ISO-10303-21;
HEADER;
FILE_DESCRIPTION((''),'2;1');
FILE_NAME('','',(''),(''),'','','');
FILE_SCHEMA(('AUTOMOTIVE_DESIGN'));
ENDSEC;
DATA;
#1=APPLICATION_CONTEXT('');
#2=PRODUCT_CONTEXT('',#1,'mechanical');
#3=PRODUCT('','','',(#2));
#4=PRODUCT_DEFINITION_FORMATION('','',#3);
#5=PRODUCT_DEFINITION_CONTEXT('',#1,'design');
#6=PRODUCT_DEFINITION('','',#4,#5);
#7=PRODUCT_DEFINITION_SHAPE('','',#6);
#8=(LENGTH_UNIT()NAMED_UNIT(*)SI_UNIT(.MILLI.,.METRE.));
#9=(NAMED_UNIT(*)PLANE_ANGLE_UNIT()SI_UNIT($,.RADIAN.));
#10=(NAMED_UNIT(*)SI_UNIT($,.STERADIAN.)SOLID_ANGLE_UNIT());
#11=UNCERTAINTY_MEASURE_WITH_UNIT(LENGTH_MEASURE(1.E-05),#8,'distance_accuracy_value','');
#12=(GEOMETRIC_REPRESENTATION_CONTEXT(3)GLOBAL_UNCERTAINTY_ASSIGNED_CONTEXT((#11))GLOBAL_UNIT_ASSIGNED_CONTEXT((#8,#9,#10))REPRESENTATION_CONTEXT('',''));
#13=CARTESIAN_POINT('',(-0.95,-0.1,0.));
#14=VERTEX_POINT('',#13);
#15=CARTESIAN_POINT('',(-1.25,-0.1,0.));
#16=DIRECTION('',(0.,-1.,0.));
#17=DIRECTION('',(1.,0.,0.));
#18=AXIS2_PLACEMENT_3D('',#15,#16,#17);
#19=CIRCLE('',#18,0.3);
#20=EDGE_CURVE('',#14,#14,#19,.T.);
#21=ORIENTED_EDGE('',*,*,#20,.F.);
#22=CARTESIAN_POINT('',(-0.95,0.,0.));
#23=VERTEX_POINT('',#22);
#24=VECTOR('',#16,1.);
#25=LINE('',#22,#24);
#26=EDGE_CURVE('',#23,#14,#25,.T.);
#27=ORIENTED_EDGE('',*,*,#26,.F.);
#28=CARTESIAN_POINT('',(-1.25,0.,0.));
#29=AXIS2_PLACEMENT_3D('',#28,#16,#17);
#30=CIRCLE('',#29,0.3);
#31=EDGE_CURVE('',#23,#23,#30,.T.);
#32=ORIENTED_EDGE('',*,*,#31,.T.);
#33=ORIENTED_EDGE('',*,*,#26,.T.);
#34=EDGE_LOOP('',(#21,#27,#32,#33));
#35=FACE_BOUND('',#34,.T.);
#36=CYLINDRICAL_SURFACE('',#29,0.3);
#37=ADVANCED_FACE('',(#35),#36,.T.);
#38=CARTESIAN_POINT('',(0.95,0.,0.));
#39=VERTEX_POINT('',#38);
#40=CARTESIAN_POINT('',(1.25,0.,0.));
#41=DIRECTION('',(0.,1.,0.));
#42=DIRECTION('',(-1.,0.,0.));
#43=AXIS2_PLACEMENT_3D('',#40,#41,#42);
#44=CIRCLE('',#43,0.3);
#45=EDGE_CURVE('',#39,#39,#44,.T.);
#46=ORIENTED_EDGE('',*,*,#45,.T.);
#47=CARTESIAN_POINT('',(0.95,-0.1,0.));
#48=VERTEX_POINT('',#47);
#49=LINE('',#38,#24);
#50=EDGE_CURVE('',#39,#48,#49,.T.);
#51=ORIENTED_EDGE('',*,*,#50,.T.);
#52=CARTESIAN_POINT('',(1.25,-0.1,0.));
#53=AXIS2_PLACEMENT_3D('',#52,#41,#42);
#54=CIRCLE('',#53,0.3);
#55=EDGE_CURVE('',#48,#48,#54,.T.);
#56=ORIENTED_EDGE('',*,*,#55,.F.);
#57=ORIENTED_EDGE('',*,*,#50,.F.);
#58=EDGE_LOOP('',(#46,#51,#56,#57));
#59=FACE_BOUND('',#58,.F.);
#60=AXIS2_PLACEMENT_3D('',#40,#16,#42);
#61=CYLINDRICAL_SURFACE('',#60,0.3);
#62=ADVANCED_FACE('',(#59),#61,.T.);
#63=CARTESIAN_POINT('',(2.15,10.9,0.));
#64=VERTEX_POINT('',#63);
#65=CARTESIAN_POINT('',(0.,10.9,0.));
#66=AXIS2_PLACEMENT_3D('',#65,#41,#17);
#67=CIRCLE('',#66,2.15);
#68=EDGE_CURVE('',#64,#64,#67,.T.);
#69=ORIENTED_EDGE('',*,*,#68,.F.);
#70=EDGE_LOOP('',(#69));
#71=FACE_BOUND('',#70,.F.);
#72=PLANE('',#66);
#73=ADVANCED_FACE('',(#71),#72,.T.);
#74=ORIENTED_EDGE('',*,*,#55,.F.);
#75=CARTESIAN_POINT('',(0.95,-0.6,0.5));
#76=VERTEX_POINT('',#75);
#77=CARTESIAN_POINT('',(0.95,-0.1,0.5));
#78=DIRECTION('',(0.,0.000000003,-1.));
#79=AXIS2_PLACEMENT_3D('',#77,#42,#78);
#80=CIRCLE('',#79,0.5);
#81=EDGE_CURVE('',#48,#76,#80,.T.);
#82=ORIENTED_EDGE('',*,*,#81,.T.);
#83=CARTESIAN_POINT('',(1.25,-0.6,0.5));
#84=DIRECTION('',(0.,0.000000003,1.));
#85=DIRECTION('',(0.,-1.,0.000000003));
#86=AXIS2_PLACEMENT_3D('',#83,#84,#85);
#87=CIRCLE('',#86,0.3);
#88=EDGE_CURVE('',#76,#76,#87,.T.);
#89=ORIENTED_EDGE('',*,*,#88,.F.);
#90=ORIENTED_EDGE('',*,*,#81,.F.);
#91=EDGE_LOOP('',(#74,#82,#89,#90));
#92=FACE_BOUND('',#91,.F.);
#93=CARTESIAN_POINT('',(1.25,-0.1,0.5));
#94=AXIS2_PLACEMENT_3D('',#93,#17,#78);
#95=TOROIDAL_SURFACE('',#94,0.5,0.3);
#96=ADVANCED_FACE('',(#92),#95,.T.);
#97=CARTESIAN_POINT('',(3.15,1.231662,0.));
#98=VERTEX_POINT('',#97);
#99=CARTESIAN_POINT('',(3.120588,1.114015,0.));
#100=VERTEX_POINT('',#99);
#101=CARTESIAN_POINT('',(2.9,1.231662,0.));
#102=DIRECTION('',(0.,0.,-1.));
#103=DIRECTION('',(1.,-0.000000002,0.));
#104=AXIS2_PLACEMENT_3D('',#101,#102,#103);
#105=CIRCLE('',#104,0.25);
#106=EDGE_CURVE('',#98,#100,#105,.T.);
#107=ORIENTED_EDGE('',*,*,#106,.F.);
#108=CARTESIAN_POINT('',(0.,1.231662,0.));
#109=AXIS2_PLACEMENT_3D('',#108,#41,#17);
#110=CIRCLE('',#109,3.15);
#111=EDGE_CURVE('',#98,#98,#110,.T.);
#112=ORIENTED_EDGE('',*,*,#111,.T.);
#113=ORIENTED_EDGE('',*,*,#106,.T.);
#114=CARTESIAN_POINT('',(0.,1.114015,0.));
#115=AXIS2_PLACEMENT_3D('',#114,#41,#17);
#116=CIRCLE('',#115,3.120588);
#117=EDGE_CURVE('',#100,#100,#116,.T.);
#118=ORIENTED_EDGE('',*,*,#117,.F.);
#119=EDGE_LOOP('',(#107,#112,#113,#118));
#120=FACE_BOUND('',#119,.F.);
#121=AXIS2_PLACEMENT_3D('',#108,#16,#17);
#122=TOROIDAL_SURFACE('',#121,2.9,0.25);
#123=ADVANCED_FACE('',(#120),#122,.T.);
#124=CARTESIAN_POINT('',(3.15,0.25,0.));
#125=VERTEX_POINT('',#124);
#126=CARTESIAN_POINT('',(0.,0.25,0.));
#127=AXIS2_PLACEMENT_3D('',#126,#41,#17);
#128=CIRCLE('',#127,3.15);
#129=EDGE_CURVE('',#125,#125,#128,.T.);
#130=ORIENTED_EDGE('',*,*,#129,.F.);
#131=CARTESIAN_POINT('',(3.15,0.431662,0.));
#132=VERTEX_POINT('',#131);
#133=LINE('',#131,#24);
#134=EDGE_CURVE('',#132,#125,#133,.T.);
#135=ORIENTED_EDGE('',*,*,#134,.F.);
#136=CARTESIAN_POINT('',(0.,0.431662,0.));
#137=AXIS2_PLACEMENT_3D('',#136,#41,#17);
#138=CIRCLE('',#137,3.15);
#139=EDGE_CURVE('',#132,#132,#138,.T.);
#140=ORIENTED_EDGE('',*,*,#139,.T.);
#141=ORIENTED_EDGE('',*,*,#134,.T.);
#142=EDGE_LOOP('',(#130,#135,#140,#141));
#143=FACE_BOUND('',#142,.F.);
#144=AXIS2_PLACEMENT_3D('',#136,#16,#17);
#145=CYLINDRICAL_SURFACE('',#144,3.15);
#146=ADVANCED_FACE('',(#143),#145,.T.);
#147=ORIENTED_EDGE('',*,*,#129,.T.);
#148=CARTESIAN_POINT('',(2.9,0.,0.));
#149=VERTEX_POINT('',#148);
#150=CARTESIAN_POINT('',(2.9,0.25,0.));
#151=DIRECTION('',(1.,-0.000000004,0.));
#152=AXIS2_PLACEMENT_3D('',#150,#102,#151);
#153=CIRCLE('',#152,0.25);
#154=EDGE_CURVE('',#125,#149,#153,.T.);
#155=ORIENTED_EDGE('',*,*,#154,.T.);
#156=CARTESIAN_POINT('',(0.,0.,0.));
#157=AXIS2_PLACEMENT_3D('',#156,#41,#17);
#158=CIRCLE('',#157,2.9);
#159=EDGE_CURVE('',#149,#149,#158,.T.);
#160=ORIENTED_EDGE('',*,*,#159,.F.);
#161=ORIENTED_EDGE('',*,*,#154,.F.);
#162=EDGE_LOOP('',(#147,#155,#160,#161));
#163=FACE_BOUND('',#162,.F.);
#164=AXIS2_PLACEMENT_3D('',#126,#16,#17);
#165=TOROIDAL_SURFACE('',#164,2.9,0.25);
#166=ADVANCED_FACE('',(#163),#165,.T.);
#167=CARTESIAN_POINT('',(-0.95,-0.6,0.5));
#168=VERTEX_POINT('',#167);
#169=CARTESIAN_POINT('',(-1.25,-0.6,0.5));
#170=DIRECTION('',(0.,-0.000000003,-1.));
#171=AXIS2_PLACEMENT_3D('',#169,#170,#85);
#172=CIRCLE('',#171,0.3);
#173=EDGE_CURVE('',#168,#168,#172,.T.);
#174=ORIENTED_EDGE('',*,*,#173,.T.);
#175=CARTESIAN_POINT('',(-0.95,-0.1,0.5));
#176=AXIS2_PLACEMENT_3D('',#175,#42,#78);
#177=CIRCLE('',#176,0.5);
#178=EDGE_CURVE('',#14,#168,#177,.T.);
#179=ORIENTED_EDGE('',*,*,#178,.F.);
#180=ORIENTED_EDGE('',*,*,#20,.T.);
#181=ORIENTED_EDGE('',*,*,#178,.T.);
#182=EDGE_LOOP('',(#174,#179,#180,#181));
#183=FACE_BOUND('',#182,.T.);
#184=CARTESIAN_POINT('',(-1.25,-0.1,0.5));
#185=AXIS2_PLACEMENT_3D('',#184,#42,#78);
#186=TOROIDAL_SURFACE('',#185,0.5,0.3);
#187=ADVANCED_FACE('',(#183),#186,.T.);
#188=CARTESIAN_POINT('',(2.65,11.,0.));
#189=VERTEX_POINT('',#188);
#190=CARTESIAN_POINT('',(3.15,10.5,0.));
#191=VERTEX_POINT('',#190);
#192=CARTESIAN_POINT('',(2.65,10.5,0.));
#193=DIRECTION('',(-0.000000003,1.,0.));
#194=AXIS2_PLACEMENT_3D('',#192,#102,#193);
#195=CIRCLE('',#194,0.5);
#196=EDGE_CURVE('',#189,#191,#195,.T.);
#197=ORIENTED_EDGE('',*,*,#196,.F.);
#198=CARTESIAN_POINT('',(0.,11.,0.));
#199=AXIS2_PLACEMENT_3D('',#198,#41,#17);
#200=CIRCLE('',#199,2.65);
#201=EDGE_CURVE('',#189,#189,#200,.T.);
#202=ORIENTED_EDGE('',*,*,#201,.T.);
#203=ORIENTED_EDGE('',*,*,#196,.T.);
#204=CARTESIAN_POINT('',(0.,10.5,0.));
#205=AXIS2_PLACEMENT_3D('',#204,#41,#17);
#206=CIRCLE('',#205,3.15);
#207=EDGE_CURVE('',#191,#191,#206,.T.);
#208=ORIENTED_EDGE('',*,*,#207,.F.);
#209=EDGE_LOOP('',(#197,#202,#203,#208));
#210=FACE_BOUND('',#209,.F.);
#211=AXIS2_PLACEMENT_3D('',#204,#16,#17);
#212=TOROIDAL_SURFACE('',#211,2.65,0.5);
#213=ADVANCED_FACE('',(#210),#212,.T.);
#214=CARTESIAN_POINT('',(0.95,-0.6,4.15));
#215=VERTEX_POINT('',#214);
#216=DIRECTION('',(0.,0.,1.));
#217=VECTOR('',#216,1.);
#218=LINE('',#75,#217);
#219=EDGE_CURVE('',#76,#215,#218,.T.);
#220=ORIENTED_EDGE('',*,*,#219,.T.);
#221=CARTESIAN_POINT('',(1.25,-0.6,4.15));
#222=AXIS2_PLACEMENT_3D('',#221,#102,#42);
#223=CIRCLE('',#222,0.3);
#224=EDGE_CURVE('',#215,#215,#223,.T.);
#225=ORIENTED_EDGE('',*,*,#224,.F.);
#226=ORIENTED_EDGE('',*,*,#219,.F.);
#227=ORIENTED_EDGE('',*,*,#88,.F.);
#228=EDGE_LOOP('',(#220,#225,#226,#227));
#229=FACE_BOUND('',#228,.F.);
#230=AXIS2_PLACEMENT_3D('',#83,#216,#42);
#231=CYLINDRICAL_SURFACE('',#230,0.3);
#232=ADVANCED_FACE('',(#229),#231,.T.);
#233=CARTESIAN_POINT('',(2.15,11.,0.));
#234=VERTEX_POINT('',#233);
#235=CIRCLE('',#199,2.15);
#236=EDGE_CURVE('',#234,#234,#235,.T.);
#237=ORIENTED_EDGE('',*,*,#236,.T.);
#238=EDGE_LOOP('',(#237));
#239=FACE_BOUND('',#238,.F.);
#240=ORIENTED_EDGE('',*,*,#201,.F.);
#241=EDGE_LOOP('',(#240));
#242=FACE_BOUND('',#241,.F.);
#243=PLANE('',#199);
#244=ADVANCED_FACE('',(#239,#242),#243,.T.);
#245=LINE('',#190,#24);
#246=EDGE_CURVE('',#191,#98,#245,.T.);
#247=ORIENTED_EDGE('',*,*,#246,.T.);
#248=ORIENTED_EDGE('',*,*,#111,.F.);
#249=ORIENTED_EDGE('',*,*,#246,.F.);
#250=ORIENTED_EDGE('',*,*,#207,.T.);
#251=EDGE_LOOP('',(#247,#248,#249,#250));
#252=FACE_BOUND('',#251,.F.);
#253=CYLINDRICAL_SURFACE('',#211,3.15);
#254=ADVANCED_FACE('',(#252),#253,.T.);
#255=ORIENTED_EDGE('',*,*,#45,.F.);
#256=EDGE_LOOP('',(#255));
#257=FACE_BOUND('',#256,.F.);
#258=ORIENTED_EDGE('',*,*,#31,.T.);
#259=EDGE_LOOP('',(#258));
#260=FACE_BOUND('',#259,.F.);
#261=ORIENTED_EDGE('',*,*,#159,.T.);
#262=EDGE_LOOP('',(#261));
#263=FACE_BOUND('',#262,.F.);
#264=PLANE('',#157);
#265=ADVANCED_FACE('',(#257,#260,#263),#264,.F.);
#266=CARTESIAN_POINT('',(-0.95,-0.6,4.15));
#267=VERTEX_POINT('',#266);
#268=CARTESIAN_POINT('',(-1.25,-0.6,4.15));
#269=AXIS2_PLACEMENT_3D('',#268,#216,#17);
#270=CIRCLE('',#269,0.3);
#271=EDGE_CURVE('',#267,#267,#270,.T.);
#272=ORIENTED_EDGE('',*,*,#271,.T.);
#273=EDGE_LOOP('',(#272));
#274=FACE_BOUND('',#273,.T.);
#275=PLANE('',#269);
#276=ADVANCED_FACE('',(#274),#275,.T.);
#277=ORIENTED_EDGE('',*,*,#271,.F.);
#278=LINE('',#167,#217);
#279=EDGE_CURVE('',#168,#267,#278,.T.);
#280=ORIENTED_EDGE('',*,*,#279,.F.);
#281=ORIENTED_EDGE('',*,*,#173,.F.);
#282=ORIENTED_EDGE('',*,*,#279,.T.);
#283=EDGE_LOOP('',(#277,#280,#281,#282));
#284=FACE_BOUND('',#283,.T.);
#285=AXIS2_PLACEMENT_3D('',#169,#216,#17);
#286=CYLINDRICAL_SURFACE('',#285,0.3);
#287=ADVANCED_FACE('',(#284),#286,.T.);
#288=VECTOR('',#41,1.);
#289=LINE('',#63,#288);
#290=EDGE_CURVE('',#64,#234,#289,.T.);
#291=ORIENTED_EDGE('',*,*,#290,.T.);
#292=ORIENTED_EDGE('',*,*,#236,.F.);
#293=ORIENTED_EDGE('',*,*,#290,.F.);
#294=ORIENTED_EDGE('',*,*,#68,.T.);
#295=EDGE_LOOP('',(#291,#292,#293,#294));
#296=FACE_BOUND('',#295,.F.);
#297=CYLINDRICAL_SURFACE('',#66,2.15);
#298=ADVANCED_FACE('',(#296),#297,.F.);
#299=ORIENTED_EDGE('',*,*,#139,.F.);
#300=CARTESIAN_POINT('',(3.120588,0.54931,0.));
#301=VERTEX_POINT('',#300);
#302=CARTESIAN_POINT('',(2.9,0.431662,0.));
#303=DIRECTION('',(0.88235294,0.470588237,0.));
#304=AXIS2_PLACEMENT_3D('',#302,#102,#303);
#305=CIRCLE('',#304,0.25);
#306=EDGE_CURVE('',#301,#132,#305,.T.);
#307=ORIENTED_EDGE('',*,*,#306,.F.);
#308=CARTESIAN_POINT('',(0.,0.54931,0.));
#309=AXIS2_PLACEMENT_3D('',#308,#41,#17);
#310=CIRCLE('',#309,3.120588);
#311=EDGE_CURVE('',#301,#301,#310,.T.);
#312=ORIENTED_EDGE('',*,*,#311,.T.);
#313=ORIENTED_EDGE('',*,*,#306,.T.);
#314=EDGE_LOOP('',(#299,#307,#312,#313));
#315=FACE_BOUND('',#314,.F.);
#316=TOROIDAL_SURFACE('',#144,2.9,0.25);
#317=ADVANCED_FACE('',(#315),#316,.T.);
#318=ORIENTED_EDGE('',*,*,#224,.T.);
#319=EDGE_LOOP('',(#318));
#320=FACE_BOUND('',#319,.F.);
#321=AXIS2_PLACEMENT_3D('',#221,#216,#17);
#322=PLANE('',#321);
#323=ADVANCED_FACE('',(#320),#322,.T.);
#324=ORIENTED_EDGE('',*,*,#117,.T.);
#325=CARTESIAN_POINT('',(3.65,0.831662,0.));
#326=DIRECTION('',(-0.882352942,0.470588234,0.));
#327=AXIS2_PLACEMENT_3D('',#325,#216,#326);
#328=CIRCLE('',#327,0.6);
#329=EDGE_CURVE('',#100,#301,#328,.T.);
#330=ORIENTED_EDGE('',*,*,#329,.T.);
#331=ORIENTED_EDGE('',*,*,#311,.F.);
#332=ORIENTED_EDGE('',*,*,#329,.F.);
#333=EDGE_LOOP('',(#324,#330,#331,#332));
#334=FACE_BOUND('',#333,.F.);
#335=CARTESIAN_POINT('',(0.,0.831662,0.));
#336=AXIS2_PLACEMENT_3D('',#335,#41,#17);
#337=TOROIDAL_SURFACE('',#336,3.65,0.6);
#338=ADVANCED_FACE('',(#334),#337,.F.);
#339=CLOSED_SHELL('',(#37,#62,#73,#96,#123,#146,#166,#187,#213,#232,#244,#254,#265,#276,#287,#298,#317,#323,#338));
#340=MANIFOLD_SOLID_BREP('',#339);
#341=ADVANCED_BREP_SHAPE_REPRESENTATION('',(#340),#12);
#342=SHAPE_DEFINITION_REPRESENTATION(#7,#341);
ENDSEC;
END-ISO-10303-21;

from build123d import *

# Parameters (mm, degrees)
SKETCH4_R = 0.3


with BuildPart() as part:
    # Sketch1 → Revolve1 (revolve)
    with BuildSketch(Plane.XY):
        with BuildLine():
            Line((0, 10.9), (2.15, 10.9))
            Line((2.15, 10.9), (2.15, 11))
            Line((2.15, 11), (2.65, 11))
            ThreePointArc((2.65, 11), (3.003553391, 10.853553391), (3.15, 10.5))
            Line((3.15, 10.5), (3.15, 1.231662479))
            ThreePointArc((3.15, 1.231662479), (3.142535625, 1.171028573), (3.120588235, 1.11401542))
            ThreePointArc((3.120588235, 1.11401542), (3.05, 0.831662479), (3.120588235, 0.549309538))
            ThreePointArc((3.120588235, 0.549309538), (3.142535625, 0.492296385), (3.15, 0.431662479))
            Line((3.15, 0.431662479), (3.15, 0.25))
            ThreePointArc((3.15, 0.25), (3.076776695, 0.073223305), (2.9, 0))
            Line((2.9, 0), (0, 0))
            Line((0, 0), (0, 10.9))
        make_face()
    revolve(axis=Axis((0, 0, 0), (0, 1, 0)))

    # Sweep1: sweep along a path in Sketch5
    with BuildLine(Plane(origin=(-1.25, 0, 0), x_dir=(0, 0, -1), z_dir=(1, 0, 0))) as sweep1_path:
        Line((0, 0), (0, -0.1))
        ThreePointArc((0, -0.1), (-0.146446609, -0.453553391), (-0.5, -0.6))
        Line((-0.5, -0.6), (-4.15, -0.6))
    # Sketch4 → Sweep1 (sweep)
    with BuildSketch(Plane.XZ):
        with Locations((-1.25, 0)):
            Circle(SKETCH4_R)
    sweep1 = sweep(path=sweep1_path.line)

    # Mirror1: Sweep1 across plane
    add(sweep1.mirror(Plane(origin=(0, 0, 0), x_dir=(0, 0, 1), z_dir=(1, 0, 0))))


solid = part.part
